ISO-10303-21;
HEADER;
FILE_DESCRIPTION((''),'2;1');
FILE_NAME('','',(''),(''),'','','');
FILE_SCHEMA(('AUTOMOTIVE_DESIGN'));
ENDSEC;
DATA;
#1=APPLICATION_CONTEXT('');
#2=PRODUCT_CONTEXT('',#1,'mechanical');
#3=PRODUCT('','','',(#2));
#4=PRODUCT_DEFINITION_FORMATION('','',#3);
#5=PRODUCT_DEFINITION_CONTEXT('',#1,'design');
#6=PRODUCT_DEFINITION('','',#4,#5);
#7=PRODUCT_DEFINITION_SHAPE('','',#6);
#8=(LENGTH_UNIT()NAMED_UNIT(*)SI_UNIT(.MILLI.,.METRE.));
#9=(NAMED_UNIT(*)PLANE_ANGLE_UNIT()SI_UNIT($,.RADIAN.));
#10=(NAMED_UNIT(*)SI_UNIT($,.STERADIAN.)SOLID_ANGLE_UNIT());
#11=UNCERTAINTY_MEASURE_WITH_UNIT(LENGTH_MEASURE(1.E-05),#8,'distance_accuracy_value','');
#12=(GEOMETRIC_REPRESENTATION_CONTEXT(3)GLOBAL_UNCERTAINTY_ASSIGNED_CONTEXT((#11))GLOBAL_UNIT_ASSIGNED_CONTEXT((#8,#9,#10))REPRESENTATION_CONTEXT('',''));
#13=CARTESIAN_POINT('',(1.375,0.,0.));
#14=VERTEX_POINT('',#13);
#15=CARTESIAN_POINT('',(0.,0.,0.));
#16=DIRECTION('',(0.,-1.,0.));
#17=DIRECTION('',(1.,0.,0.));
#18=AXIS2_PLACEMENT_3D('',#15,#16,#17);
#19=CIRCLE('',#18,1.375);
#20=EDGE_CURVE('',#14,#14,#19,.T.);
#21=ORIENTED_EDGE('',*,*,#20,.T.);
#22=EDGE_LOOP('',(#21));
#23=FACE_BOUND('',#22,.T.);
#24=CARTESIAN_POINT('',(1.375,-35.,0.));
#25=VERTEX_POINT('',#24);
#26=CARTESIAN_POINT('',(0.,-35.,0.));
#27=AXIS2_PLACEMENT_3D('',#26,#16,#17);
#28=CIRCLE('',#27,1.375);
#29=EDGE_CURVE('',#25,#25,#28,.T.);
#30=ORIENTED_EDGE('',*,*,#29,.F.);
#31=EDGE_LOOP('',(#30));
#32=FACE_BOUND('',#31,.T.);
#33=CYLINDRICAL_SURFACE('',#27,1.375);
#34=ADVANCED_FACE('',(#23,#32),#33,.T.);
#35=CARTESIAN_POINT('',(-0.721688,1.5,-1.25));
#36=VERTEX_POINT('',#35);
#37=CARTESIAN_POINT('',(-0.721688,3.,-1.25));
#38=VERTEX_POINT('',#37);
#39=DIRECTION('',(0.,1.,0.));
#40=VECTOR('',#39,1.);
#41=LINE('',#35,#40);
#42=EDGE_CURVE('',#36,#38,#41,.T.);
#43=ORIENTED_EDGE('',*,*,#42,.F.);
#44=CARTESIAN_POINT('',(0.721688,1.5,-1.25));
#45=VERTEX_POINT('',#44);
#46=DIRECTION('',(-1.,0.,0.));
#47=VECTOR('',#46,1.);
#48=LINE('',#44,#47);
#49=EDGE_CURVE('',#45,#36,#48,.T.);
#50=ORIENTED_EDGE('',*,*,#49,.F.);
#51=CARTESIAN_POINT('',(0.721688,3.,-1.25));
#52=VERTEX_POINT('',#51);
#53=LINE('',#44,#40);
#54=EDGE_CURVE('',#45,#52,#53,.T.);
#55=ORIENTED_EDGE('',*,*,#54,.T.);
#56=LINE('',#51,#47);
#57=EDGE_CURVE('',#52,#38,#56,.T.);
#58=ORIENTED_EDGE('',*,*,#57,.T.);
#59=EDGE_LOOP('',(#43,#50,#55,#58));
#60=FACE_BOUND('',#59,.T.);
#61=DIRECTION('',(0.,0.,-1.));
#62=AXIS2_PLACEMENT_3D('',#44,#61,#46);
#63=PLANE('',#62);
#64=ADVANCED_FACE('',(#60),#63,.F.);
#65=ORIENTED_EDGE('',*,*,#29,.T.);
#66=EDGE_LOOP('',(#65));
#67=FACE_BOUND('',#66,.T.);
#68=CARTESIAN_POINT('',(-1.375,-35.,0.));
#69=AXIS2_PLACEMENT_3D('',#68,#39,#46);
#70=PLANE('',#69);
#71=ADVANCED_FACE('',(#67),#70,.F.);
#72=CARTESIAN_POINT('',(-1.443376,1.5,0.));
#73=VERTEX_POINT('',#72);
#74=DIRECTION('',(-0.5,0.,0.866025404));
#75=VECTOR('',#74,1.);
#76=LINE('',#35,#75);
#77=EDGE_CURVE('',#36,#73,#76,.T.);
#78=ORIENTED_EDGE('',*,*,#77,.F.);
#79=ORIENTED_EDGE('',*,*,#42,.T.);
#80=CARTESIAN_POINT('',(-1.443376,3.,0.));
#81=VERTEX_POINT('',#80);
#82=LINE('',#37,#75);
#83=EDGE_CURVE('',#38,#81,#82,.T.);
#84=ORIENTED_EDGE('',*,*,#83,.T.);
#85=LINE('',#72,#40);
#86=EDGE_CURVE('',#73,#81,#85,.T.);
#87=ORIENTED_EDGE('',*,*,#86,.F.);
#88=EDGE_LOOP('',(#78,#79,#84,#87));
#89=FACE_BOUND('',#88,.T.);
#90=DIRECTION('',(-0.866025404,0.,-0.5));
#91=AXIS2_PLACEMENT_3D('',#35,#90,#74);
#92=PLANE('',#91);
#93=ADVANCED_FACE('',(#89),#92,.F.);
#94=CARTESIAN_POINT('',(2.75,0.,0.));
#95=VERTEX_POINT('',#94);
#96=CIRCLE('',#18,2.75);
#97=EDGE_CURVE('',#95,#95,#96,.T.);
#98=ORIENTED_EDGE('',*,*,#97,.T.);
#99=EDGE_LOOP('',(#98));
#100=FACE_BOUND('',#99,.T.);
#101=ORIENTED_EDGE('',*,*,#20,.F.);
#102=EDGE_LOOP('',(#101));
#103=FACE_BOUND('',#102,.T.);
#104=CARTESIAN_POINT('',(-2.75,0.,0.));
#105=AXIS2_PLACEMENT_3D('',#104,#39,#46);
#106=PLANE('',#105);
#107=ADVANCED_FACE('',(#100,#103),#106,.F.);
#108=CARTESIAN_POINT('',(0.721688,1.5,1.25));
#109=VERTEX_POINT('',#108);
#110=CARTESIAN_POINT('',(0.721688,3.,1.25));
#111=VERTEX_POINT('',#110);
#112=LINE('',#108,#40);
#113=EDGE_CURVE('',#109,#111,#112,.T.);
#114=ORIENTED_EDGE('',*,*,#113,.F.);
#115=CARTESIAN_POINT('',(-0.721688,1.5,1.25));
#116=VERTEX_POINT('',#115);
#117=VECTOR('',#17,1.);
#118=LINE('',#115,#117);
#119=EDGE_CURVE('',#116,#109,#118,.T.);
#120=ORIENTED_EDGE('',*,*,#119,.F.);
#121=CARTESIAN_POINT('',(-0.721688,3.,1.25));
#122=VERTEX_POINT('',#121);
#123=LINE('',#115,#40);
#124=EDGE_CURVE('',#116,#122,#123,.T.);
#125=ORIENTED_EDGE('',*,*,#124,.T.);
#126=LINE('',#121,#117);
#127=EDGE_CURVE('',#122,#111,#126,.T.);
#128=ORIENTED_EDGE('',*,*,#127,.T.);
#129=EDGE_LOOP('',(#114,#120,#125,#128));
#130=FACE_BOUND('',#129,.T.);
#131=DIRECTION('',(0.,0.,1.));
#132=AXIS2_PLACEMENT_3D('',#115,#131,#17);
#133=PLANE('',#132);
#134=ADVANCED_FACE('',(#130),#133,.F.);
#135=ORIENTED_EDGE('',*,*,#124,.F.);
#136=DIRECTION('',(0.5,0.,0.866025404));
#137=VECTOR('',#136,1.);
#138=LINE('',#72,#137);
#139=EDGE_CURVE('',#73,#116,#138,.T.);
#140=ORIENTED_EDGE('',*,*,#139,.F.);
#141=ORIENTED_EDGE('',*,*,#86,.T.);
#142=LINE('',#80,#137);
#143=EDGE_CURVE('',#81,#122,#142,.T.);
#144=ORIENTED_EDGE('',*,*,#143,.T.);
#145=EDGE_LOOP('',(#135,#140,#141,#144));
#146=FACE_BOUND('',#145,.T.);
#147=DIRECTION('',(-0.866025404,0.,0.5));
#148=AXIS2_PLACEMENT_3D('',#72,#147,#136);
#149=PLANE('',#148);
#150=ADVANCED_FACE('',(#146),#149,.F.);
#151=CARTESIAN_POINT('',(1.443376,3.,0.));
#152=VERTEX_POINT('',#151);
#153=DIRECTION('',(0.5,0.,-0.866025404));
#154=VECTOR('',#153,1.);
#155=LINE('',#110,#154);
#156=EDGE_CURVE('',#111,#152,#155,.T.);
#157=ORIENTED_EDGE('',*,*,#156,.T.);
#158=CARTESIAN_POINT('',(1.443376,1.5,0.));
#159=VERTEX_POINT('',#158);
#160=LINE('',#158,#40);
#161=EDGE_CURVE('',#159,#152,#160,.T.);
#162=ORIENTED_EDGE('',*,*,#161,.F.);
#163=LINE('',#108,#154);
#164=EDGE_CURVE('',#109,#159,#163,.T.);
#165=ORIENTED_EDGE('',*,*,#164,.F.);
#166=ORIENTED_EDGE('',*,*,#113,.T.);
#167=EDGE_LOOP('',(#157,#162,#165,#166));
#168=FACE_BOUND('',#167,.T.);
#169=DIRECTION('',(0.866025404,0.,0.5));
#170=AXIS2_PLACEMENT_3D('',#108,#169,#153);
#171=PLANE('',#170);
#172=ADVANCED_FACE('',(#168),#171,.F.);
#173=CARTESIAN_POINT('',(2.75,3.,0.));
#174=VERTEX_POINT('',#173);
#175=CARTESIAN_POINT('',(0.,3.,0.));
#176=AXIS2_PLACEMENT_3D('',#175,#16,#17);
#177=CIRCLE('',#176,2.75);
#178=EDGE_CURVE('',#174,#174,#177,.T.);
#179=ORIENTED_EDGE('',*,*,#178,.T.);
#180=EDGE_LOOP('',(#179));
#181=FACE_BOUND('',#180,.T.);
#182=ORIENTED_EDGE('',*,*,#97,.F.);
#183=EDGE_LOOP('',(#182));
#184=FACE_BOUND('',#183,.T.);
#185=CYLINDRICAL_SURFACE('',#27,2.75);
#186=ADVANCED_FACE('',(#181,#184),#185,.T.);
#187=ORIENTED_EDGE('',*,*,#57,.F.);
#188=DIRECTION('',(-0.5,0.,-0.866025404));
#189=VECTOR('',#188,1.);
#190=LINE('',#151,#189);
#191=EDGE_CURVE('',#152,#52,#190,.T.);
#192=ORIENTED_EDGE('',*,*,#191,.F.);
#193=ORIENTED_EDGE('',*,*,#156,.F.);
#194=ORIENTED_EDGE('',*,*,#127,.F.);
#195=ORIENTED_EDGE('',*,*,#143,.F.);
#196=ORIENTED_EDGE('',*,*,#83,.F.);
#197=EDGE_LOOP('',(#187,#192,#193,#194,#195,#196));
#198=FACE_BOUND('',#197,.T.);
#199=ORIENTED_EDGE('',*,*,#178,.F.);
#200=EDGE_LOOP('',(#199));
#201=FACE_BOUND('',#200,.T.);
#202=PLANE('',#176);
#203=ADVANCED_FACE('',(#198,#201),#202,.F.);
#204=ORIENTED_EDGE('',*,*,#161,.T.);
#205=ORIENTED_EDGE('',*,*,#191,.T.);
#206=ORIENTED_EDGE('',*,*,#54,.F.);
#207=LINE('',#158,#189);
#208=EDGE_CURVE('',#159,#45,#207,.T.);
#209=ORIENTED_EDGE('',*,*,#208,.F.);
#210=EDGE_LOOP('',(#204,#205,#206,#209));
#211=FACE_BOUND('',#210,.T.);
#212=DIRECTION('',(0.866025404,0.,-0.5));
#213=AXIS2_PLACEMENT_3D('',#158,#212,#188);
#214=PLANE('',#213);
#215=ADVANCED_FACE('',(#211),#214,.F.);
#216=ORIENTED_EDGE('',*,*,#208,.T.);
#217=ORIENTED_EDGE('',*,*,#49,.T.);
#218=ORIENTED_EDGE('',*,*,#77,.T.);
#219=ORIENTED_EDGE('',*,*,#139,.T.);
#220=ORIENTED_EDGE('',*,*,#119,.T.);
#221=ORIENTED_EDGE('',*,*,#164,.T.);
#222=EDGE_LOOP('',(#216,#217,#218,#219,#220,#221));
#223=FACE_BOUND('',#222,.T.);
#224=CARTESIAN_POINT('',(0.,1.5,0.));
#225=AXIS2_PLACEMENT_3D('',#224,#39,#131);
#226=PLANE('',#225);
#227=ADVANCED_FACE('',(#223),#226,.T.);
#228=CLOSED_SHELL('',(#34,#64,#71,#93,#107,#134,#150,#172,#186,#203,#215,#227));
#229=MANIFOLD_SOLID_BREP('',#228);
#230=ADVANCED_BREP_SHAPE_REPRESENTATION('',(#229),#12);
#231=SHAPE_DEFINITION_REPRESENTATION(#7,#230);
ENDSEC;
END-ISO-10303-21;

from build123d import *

# Parameters (mm, degrees)
CUT_EXTRUDE1_DEPTH = 1.5


with BuildPart() as part:
    # Sketch1 → Revolve1 (revolve)
    with BuildSketch(Plane.XY, mode=Mode.PRIVATE) as revolve1_sk:
        Polygon((0, 3), (-2.75, 3), (-2.75, 0), (-1.375, 0), (-1.375, -35), (0, -35), align=None)
    revolve(revolve1_sk.sketch.rotate(Axis((0, -35, 0), (0, 1, 0)), 180), axis=Axis((0, -35, 0), (0, 1, 0)))

    # Sketch2 → Cut-Extrude1 (cut)
    with BuildSketch(Plane(origin=(0, 3, 0), x_dir=(1, 0, 0), z_dir=(0, 1, 0))):
        Polygon((0.721687836, -1.25), (1.443375673, 0), (0.721687836, 1.25), (-0.721687836, 1.25), (-1.443375673, 0), (-0.721687836, -1.25), align=None)
    extrude(amount=-CUT_EXTRUDE1_DEPTH, mode=Mode.SUBTRACT)


solid = part.part
